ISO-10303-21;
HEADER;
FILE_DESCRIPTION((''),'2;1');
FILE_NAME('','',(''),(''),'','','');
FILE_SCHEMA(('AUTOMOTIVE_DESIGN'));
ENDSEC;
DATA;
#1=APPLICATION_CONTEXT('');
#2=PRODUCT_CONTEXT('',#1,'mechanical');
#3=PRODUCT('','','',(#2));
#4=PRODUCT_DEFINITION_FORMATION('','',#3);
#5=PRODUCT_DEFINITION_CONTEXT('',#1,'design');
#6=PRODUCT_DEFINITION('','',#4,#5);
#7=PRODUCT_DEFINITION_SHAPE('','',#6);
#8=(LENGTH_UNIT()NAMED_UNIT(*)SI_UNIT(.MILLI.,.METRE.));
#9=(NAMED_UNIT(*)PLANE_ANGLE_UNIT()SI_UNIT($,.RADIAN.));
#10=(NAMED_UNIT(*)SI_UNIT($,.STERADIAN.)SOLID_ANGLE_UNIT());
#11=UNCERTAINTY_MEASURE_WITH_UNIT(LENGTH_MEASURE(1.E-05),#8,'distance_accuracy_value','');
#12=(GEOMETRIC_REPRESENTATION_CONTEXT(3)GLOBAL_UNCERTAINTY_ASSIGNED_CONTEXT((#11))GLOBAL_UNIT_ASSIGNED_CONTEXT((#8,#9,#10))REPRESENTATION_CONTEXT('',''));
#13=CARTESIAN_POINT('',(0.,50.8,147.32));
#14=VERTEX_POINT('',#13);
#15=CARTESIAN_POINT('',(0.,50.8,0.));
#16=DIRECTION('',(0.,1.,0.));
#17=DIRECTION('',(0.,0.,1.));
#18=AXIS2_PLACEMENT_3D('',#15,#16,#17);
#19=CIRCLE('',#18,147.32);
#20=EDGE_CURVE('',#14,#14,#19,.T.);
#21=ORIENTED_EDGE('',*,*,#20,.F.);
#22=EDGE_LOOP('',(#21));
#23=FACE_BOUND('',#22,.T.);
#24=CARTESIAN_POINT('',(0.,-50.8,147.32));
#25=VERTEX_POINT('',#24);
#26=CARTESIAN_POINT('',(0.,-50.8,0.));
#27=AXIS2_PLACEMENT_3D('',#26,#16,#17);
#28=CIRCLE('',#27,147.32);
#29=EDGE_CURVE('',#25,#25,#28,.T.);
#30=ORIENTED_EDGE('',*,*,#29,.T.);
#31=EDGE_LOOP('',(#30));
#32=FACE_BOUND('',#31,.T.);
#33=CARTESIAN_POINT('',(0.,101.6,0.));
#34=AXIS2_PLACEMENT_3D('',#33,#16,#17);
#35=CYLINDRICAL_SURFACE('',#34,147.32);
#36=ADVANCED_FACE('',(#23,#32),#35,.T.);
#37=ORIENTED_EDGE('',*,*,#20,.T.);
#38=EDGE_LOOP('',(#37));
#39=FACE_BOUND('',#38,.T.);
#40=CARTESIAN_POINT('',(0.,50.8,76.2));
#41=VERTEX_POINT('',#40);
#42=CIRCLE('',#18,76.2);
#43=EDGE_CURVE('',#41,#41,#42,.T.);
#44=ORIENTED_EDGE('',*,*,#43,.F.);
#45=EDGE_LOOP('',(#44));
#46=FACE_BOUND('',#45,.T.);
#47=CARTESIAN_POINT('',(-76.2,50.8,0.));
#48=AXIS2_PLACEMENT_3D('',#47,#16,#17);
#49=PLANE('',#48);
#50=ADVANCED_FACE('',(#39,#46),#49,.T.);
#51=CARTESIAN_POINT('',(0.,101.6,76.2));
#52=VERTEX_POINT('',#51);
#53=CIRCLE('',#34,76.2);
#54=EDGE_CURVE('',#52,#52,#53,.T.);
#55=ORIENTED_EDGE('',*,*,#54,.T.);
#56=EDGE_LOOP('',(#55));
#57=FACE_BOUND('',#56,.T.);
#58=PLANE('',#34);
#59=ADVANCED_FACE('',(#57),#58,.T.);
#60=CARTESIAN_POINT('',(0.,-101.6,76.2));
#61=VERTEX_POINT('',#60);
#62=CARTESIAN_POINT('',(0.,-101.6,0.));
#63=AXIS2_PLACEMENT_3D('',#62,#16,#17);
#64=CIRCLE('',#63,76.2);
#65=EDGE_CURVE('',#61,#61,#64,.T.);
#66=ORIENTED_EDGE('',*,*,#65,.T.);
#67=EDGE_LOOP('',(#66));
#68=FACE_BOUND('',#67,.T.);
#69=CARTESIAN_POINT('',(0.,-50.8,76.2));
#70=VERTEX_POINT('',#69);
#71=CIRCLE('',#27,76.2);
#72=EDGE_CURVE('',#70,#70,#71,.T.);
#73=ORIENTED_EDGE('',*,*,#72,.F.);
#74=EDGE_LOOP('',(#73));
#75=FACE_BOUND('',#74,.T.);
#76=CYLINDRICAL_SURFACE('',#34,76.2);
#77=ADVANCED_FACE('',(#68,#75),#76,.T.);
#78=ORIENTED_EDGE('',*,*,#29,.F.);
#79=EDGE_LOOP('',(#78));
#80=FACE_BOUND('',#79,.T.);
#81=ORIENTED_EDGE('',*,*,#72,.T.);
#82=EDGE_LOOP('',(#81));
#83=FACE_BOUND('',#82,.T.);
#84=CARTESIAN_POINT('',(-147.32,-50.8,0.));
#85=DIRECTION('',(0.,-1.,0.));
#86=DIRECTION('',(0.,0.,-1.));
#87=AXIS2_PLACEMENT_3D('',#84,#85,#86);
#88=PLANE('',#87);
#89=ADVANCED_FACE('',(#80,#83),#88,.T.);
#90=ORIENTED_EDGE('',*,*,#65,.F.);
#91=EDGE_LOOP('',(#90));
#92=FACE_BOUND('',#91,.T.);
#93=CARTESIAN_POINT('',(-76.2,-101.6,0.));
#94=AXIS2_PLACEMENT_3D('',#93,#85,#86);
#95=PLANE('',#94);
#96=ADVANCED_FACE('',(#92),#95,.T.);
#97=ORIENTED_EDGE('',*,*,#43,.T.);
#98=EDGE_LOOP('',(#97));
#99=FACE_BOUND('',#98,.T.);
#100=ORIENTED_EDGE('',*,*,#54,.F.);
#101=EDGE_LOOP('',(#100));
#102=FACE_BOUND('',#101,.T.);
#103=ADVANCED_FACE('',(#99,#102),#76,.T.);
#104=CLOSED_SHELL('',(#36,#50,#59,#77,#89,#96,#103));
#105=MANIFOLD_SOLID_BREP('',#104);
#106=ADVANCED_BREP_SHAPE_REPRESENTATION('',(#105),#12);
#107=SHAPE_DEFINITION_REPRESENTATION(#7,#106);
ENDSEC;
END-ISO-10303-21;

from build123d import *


with BuildPart() as part:
    # Sketch1 → Revolve1 (revolve)
    with BuildSketch(Plane.XY, mode=Mode.PRIVATE) as revolve1_sk:
        Polygon((0, 101.6), (0, -101.6), (-76.2, -101.6), (-76.2, -50.8), (-147.32, -50.8), (-147.32, 50.8), (-76.2, 50.8), (-76.2, 101.6), align=None)
    revolve(revolve1_sk.sketch.rotate(Axis((0, 101.6, 0), (0, -1, 0)), 270), axis=Axis((0, 101.6, 0), (0, -1, 0)))


solid = part.part
